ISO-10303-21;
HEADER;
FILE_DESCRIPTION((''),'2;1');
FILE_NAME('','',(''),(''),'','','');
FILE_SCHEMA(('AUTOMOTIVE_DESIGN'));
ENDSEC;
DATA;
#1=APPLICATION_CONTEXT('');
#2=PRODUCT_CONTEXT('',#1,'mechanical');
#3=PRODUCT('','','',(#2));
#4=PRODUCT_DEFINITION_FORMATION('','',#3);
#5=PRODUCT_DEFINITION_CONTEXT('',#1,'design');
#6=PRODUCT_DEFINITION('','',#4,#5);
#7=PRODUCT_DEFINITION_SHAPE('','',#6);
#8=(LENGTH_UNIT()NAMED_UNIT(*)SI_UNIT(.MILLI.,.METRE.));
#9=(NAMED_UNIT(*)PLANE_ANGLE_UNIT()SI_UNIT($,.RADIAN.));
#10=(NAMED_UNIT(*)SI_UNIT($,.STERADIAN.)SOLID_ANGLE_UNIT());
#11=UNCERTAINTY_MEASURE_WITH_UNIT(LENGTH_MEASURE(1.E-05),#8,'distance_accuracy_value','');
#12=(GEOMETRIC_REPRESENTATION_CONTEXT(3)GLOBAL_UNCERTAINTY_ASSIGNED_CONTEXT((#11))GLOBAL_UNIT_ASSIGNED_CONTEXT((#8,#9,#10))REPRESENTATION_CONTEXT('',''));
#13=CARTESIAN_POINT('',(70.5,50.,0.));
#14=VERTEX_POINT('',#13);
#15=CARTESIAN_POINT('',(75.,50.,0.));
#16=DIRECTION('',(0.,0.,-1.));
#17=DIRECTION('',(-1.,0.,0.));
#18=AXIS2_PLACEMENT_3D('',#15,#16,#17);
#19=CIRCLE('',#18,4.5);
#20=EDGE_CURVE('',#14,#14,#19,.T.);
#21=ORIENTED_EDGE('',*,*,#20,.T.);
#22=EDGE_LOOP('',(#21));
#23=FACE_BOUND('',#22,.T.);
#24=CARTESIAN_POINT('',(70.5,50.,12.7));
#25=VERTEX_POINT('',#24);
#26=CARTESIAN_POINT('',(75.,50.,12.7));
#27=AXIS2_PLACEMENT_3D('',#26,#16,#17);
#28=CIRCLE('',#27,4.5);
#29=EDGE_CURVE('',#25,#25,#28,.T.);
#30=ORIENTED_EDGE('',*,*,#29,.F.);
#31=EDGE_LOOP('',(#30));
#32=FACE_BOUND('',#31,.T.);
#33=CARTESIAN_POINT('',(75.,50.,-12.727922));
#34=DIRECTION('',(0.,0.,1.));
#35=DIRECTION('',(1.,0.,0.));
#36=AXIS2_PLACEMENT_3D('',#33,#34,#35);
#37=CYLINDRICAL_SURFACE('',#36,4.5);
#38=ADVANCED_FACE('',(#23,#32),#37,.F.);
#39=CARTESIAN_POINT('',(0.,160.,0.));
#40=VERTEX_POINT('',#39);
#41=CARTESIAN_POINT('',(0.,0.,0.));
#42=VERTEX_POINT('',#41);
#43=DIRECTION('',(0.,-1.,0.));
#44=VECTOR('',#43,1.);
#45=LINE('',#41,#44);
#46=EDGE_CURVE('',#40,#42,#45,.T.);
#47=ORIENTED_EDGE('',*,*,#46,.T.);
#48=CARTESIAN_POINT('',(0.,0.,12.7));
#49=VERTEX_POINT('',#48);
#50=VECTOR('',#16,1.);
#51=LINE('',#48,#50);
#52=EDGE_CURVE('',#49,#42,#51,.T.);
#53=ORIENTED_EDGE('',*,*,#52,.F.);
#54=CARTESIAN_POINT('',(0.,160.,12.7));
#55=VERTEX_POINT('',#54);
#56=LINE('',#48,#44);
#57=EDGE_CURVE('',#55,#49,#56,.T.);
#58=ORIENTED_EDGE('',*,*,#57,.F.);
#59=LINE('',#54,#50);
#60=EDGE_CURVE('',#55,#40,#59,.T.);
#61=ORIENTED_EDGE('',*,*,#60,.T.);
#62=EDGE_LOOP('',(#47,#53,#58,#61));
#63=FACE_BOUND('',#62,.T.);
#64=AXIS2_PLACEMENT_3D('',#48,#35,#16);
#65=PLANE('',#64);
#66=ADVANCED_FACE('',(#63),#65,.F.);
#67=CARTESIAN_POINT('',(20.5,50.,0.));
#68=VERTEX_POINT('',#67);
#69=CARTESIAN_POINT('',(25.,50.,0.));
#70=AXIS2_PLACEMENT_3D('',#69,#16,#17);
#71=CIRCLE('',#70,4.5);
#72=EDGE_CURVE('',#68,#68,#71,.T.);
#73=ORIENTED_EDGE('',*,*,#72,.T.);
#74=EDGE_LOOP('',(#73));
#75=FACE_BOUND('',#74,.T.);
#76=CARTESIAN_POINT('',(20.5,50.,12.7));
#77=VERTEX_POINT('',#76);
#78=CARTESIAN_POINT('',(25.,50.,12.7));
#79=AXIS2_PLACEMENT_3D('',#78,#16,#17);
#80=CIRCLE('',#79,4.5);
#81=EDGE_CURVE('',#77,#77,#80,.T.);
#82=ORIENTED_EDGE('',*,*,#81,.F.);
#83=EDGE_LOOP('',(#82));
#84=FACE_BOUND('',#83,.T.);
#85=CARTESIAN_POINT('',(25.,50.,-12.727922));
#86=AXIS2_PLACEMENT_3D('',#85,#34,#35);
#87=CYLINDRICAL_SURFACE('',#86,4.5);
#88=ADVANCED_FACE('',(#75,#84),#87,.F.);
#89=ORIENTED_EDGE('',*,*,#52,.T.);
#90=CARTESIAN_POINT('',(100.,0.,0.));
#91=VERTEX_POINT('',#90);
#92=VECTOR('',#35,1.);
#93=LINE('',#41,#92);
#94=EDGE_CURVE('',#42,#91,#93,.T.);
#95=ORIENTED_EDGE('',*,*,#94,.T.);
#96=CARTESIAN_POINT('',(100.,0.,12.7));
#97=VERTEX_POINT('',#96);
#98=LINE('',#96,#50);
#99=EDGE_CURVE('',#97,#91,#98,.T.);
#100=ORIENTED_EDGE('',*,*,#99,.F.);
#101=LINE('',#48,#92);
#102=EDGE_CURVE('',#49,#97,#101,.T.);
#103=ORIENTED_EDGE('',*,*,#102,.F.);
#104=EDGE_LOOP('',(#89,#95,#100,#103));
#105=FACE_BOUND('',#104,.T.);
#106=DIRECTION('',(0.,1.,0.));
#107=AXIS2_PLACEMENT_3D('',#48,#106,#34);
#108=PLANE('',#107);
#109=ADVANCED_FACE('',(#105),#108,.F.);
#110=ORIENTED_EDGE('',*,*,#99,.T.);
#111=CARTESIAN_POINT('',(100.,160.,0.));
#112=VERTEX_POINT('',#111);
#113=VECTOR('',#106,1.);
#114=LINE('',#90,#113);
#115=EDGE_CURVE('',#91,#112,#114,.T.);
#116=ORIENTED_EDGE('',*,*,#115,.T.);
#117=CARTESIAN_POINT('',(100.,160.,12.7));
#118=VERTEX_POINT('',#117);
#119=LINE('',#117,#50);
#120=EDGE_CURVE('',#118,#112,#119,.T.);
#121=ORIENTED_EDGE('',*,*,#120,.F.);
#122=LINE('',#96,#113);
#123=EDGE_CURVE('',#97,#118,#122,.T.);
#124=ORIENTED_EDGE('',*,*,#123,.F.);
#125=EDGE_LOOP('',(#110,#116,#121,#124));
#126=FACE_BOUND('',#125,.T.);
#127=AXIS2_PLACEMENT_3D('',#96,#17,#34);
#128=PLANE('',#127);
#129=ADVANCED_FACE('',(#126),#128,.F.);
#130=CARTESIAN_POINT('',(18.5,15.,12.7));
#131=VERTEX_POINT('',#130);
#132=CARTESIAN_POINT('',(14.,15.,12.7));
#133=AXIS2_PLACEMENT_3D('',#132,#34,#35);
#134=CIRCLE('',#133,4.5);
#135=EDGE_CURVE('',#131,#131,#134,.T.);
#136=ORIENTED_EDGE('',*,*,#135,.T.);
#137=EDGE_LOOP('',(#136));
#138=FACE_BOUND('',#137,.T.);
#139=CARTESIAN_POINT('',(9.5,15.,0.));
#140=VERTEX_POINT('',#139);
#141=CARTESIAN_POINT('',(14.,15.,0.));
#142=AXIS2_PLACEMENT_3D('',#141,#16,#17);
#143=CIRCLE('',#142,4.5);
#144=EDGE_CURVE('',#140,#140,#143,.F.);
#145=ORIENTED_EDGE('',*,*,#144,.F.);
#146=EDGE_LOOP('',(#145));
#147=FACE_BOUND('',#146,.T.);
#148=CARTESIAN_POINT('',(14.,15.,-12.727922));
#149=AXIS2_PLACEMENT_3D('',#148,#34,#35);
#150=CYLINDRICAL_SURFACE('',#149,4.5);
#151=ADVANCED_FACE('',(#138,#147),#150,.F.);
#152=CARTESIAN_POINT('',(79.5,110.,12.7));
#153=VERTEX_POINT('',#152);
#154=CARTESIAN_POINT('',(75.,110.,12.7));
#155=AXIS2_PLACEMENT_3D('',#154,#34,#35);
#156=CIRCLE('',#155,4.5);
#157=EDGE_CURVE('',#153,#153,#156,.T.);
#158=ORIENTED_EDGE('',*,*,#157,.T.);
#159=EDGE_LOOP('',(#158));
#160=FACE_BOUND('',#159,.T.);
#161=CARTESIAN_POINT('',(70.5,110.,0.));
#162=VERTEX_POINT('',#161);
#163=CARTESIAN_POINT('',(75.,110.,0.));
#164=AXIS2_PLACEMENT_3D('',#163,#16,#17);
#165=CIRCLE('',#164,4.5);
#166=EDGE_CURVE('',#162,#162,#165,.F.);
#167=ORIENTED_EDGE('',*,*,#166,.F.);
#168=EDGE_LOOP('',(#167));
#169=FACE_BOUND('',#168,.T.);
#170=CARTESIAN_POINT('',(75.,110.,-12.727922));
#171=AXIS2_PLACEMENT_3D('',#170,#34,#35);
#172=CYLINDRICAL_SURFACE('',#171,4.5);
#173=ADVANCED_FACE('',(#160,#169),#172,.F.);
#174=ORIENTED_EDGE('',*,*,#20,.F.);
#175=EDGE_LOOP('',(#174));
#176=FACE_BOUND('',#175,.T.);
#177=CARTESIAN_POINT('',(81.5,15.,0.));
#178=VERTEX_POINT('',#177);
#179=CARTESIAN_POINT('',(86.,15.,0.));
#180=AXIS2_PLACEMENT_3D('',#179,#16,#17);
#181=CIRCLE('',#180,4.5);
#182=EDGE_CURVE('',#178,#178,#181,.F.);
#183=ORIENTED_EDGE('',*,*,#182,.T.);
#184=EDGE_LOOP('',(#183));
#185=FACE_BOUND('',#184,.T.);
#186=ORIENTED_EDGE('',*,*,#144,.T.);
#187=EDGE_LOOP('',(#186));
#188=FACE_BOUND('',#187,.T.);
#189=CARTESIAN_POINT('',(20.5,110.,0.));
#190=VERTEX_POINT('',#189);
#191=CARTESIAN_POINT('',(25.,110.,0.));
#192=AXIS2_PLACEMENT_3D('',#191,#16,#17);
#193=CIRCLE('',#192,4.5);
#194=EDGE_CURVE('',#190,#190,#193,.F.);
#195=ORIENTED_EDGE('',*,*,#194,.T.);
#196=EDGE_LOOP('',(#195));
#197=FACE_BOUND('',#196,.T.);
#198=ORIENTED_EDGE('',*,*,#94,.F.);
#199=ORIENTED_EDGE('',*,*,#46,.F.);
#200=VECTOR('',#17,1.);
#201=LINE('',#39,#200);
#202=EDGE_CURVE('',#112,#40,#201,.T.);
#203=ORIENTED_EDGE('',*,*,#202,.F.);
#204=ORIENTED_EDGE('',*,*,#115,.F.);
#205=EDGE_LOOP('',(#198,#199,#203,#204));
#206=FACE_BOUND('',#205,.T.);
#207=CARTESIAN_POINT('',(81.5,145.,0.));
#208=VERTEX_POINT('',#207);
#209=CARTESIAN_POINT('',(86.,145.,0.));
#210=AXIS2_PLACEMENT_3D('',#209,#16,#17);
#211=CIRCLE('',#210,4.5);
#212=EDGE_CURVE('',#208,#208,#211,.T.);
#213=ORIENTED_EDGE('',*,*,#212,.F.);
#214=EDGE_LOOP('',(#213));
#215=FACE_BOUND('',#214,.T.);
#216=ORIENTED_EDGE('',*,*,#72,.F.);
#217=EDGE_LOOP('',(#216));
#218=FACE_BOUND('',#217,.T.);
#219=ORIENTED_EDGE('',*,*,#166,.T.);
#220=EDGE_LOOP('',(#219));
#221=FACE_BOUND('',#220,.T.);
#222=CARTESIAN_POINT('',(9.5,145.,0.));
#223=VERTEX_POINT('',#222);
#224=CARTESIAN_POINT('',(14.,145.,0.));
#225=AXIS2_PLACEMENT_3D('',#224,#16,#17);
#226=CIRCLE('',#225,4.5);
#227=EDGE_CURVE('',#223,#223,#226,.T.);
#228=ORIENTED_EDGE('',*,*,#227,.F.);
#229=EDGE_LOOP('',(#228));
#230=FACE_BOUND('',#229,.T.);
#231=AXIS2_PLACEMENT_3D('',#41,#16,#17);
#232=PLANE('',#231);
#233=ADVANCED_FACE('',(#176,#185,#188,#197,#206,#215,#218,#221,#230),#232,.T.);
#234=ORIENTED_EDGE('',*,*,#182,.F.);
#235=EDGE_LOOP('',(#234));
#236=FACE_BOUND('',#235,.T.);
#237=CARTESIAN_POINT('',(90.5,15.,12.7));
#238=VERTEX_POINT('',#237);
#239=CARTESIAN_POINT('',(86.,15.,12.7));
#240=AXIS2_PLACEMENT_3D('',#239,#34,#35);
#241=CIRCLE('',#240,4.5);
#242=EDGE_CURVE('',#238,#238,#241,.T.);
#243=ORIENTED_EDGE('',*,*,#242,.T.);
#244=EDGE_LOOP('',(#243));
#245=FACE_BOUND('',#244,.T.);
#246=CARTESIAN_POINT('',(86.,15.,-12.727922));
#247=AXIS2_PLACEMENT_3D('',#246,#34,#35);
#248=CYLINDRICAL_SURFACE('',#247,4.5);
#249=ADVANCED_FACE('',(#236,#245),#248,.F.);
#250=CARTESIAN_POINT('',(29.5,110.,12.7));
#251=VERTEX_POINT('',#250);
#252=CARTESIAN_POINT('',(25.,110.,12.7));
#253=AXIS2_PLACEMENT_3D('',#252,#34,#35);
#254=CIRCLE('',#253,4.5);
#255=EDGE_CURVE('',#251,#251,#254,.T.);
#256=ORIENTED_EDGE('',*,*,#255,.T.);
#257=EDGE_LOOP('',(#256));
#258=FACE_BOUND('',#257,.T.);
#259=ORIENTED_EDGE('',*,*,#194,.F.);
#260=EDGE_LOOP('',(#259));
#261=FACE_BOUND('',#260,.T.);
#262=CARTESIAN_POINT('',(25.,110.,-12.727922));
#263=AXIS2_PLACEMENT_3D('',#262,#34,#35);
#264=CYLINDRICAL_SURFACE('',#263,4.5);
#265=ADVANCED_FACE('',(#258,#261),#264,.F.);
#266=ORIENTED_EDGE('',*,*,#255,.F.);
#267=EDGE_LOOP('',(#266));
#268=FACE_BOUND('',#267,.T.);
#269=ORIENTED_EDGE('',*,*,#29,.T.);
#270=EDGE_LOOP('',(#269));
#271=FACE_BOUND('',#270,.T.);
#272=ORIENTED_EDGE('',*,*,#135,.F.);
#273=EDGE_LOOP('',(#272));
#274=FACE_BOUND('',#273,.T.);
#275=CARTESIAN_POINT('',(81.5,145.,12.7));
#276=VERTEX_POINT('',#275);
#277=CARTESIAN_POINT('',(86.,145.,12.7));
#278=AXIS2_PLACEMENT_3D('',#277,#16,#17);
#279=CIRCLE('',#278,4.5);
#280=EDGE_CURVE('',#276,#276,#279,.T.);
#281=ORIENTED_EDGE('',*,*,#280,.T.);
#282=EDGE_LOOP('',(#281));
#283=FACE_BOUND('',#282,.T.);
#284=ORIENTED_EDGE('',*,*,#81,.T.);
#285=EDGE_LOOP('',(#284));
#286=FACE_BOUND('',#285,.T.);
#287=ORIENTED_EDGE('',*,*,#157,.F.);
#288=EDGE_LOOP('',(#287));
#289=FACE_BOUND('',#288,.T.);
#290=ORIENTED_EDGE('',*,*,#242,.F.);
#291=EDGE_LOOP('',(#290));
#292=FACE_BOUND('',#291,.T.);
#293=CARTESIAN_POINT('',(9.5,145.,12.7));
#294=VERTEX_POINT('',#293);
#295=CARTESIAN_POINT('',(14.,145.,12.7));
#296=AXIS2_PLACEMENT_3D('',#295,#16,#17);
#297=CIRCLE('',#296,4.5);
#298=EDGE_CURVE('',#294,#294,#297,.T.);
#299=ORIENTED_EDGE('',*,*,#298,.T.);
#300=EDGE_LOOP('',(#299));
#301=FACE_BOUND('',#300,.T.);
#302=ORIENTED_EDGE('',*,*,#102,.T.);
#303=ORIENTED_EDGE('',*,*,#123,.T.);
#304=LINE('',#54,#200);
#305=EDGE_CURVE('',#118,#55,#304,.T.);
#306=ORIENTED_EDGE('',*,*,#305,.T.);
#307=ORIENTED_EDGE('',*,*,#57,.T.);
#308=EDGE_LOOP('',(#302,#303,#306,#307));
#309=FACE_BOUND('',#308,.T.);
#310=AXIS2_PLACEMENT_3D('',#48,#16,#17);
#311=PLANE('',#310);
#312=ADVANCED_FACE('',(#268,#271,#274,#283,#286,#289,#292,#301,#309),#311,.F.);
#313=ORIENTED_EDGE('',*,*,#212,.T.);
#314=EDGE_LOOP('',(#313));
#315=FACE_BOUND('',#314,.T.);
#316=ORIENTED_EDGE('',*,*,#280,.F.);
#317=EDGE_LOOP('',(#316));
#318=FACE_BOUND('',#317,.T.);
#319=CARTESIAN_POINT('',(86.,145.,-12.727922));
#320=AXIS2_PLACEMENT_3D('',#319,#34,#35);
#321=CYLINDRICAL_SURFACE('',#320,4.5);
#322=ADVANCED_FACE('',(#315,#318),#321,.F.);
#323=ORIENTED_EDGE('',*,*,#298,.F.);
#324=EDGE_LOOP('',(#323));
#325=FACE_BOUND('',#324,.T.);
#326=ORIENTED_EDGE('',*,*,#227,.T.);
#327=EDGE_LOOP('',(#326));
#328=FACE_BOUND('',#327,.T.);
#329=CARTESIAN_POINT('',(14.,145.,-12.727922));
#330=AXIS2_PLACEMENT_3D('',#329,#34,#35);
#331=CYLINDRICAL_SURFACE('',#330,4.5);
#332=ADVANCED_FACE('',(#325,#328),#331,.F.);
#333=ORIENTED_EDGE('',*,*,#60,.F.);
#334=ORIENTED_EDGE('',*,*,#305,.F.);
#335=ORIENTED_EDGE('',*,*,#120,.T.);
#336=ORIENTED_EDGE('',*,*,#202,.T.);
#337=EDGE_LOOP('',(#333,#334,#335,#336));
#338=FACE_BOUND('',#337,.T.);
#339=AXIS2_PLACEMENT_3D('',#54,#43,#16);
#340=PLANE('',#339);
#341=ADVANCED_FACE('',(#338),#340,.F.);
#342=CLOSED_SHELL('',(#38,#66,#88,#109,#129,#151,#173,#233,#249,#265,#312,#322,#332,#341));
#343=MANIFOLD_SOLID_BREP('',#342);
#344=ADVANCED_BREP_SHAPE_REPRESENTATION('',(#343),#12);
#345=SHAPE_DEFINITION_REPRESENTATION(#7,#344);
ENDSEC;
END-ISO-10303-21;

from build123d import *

# Parameters (mm, degrees)
SKETCH1_W           = 100
SKETCH1_H           = 160
BOSS_EXTRUDE1_DEPTH = 12.7
SKETCH2_R           = 4.5
CUT_EXTRUDE1_DEPTH  = 12.7
SKETCH3_R           = 4.5
CUT_EXTRUDE2_DEPTH  = 12.7


with BuildPart() as part:
    # Sketch1 → Boss-Extrude1 (new body)
    with BuildSketch(Plane.XY):
        with Locations((50, 80)):
            Rectangle(SKETCH1_W, SKETCH1_H)
    extrude(amount=BOSS_EXTRUDE1_DEPTH)

    # Sketch2 → Cut-Extrude1 (cut)
    with BuildSketch(Plane(origin=(0, 0, 12.7), x_dir=(-1, 0, 0), z_dir=(0, 0, 1))):
        with Locations(Location((-75, -110, 0), (0, 0, 180))):
            Circle(SKETCH2_R)
        with Locations(Location((-25, -110, 0), (0, 0, 180))):
            Circle(SKETCH2_R)
        with Locations((-25, -50)):
            Circle(SKETCH2_R)
        with Locations((-75, -50)):
            Circle(SKETCH2_R)
    extrude(amount=-CUT_EXTRUDE1_DEPTH, mode=Mode.SUBTRACT)

    # Sketch3 → Cut-Extrude2 (cut)
    with BuildSketch(Plane.XY.offset(12.7)):
        with Locations((14, 15)):
            Circle(SKETCH3_R)
        with Locations((86, 15)):
            Circle(SKETCH3_R)
        with Locations(Location((14, 145, 0), (0, 0, 180))):
            Circle(SKETCH3_R)
        with Locations(Location((86, 145, 0), (0, 0, 180))):
            Circle(SKETCH3_R)
    extrude(amount=-CUT_EXTRUDE2_DEPTH, mode=Mode.SUBTRACT)


solid = part.part
